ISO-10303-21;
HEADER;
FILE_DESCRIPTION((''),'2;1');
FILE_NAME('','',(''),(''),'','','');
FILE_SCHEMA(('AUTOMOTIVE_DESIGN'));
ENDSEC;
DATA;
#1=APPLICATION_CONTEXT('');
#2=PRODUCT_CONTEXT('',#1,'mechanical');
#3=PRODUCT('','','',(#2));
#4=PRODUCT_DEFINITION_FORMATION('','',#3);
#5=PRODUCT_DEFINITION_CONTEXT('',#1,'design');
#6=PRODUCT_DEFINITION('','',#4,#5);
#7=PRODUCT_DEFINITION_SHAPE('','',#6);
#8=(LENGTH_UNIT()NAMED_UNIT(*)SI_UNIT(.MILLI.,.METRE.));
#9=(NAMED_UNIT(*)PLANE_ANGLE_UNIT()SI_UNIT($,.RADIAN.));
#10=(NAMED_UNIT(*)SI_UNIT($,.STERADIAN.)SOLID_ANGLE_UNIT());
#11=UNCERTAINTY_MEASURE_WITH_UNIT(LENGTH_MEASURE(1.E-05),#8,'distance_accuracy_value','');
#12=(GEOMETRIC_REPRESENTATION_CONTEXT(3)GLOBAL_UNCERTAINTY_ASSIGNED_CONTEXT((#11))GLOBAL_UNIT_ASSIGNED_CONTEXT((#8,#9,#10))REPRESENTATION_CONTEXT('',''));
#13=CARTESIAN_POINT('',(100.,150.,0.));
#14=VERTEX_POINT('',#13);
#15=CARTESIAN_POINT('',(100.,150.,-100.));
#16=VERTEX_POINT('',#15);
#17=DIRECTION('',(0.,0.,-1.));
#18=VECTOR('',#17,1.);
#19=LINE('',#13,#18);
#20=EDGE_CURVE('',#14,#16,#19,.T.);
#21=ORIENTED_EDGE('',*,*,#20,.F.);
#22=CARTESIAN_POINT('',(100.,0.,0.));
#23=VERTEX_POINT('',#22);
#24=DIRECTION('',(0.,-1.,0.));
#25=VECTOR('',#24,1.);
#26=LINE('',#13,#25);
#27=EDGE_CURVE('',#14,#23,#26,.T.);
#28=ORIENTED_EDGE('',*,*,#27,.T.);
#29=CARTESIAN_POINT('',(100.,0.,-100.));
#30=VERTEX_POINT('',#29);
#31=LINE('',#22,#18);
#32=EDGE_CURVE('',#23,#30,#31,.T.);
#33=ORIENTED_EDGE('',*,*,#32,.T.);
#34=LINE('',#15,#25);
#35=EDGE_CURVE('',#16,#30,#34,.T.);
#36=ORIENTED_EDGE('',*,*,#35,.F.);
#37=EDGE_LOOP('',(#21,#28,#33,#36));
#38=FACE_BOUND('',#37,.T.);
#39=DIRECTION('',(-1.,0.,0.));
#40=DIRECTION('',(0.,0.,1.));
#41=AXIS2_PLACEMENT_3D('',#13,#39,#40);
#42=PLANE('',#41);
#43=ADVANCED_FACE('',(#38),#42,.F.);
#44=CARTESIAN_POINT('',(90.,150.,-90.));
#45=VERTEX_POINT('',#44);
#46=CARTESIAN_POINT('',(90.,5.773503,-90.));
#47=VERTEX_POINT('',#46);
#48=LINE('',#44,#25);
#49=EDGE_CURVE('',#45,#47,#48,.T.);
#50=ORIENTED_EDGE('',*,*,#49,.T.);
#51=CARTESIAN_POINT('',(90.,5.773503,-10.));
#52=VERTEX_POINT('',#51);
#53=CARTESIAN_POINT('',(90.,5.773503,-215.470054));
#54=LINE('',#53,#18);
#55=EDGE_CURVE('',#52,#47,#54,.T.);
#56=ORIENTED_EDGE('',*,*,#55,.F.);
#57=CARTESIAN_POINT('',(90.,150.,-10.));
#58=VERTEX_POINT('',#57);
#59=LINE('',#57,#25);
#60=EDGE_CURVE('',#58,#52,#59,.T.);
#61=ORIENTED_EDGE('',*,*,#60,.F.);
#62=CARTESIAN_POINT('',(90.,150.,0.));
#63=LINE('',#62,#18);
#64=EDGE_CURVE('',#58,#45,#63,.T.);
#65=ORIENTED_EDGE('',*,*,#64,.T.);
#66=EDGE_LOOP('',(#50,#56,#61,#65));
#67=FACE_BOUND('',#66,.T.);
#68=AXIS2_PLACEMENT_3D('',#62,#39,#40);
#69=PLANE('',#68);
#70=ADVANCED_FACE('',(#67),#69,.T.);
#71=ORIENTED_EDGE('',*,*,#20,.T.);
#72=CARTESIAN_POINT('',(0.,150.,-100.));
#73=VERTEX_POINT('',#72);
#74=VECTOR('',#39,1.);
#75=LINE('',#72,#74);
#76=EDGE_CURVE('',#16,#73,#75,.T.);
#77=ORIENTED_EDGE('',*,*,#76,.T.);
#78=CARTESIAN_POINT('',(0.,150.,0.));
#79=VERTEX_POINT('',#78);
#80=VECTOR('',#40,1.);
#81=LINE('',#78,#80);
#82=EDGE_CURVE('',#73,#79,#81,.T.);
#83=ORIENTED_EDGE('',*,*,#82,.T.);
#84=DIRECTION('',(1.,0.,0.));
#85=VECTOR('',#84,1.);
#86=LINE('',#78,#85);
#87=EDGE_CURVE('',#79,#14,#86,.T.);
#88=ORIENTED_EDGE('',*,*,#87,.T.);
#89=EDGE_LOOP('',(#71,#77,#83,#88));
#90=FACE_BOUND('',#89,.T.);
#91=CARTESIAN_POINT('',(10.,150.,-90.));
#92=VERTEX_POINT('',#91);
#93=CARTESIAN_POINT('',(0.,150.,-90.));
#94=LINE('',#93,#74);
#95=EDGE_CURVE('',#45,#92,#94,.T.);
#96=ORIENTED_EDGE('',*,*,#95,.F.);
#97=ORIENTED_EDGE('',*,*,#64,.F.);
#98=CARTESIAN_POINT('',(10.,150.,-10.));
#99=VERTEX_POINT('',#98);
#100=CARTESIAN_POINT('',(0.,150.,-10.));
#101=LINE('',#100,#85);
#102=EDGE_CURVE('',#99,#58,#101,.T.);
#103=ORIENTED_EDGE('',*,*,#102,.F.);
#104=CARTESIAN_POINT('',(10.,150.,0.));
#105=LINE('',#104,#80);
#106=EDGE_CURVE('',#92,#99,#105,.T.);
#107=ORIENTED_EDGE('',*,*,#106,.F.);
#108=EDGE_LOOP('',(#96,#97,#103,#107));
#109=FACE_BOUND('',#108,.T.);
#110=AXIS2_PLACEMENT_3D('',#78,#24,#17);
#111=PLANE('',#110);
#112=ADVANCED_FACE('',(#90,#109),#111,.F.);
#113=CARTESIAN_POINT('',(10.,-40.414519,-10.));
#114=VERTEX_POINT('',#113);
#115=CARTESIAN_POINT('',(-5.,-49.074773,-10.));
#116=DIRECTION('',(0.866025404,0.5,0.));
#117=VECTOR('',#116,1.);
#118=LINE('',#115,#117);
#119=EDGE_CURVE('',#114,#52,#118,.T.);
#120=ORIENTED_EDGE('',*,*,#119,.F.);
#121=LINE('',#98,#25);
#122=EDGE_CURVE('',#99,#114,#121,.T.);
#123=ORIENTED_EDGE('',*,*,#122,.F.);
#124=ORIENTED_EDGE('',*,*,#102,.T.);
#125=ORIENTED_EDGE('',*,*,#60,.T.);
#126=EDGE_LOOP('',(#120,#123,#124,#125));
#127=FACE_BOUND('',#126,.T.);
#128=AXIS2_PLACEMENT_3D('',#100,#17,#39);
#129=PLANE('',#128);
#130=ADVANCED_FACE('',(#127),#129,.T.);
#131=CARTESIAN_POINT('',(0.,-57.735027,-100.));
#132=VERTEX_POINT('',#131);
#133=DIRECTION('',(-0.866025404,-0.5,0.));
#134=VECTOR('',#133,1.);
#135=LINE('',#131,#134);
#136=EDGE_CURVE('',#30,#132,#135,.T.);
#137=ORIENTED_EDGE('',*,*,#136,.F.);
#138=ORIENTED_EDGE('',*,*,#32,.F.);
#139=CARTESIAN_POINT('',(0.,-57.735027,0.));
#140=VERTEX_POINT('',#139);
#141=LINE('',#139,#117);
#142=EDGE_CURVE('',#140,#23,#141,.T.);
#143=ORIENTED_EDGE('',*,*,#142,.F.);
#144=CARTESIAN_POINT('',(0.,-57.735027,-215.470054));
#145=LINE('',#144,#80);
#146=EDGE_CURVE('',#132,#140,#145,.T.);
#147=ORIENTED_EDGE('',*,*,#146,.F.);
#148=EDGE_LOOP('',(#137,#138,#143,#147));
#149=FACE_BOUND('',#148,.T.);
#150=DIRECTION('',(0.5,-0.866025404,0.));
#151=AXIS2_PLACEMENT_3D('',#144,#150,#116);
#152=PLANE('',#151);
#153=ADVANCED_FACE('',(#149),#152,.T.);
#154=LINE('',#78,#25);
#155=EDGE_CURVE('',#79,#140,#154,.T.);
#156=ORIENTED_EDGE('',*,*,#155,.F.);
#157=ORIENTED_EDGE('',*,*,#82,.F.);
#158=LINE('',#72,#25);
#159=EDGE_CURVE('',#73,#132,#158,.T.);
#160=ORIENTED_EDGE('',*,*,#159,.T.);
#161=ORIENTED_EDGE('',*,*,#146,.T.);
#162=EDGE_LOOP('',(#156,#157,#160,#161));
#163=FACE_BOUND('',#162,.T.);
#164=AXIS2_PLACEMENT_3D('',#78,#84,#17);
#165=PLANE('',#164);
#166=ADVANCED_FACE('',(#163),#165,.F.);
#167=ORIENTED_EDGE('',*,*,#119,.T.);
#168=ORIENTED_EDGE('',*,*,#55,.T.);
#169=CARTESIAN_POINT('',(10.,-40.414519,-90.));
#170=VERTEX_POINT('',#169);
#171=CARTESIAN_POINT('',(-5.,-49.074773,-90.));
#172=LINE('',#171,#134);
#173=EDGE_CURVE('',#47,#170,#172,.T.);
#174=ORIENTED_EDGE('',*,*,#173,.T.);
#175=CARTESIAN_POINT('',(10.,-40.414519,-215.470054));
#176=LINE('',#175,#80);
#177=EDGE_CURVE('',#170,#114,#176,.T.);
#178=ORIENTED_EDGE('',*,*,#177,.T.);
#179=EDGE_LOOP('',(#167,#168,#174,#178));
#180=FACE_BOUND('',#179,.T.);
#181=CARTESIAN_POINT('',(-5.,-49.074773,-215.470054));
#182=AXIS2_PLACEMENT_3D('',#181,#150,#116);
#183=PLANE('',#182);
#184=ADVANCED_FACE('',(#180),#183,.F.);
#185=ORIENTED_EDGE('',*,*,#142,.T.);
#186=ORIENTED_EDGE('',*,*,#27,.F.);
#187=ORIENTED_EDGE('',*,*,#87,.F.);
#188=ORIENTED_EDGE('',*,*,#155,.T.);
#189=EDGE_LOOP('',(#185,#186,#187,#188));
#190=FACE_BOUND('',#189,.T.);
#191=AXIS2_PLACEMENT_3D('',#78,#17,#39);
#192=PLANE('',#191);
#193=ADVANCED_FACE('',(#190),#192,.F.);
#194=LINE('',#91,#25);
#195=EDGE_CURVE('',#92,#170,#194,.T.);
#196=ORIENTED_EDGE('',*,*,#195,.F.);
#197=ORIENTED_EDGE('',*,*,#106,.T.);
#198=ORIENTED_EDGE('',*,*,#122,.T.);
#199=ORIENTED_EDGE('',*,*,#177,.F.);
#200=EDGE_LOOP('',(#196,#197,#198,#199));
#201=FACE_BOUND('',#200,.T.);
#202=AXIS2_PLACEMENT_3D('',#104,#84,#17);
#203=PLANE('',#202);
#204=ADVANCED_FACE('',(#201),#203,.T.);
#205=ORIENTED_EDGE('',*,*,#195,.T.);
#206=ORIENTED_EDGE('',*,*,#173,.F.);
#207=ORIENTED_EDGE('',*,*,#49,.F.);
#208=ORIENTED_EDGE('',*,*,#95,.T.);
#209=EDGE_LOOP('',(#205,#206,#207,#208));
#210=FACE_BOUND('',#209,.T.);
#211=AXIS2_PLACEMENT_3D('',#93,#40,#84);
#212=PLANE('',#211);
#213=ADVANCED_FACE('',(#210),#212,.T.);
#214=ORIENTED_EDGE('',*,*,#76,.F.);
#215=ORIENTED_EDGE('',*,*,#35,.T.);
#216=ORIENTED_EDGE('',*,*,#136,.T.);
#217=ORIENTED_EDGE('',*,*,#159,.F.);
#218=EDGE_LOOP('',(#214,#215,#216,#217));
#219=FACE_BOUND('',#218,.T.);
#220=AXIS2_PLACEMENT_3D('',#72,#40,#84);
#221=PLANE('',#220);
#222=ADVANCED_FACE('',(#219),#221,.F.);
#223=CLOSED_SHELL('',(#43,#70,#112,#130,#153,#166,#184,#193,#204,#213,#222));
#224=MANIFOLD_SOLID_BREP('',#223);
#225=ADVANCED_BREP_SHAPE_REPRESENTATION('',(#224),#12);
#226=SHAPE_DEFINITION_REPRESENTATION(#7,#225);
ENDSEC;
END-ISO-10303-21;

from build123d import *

# Parameters (mm, degrees)
CROQUIS1_W              = 100
CROQUIS1_H              = 100
SALIENTE_EXTRUIR1_DEPTH = 150
SALIENTE_EXTRUIR2_DEPTH = 100
VACIADO4_T              = -10


with BuildPart() as part:
    # Croquis1 → Saliente-Extruir1 (new body)
    with BuildSketch(Plane(origin=(0, 0, 0), x_dir=(1, 0, 0), z_dir=(0, 1, 0))):
        with Locations((50, 50)):
            Rectangle(CROQUIS1_W, CROQUIS1_H)
    extrude(amount=SALIENTE_EXTRUIR1_DEPTH)

    # Croquis2 → Saliente-Extruir2 (add)
    with BuildSketch(Plane.XY):
        Polygon((0, 0), (0, -57.735026919), (100, 0), align=None)
    extrude(amount=-SALIENTE_EXTRUIR2_DEPTH)

    # Vaciado4
    vaciado4_openings = [part.faces().sort_by_distance(p)[0] for p in [
        (50, 150, -50),
    ]]
    offset(amount=VACIADO4_T, openings=vaciado4_openings, kind=Kind.INTERSECTION)


solid = part.part
